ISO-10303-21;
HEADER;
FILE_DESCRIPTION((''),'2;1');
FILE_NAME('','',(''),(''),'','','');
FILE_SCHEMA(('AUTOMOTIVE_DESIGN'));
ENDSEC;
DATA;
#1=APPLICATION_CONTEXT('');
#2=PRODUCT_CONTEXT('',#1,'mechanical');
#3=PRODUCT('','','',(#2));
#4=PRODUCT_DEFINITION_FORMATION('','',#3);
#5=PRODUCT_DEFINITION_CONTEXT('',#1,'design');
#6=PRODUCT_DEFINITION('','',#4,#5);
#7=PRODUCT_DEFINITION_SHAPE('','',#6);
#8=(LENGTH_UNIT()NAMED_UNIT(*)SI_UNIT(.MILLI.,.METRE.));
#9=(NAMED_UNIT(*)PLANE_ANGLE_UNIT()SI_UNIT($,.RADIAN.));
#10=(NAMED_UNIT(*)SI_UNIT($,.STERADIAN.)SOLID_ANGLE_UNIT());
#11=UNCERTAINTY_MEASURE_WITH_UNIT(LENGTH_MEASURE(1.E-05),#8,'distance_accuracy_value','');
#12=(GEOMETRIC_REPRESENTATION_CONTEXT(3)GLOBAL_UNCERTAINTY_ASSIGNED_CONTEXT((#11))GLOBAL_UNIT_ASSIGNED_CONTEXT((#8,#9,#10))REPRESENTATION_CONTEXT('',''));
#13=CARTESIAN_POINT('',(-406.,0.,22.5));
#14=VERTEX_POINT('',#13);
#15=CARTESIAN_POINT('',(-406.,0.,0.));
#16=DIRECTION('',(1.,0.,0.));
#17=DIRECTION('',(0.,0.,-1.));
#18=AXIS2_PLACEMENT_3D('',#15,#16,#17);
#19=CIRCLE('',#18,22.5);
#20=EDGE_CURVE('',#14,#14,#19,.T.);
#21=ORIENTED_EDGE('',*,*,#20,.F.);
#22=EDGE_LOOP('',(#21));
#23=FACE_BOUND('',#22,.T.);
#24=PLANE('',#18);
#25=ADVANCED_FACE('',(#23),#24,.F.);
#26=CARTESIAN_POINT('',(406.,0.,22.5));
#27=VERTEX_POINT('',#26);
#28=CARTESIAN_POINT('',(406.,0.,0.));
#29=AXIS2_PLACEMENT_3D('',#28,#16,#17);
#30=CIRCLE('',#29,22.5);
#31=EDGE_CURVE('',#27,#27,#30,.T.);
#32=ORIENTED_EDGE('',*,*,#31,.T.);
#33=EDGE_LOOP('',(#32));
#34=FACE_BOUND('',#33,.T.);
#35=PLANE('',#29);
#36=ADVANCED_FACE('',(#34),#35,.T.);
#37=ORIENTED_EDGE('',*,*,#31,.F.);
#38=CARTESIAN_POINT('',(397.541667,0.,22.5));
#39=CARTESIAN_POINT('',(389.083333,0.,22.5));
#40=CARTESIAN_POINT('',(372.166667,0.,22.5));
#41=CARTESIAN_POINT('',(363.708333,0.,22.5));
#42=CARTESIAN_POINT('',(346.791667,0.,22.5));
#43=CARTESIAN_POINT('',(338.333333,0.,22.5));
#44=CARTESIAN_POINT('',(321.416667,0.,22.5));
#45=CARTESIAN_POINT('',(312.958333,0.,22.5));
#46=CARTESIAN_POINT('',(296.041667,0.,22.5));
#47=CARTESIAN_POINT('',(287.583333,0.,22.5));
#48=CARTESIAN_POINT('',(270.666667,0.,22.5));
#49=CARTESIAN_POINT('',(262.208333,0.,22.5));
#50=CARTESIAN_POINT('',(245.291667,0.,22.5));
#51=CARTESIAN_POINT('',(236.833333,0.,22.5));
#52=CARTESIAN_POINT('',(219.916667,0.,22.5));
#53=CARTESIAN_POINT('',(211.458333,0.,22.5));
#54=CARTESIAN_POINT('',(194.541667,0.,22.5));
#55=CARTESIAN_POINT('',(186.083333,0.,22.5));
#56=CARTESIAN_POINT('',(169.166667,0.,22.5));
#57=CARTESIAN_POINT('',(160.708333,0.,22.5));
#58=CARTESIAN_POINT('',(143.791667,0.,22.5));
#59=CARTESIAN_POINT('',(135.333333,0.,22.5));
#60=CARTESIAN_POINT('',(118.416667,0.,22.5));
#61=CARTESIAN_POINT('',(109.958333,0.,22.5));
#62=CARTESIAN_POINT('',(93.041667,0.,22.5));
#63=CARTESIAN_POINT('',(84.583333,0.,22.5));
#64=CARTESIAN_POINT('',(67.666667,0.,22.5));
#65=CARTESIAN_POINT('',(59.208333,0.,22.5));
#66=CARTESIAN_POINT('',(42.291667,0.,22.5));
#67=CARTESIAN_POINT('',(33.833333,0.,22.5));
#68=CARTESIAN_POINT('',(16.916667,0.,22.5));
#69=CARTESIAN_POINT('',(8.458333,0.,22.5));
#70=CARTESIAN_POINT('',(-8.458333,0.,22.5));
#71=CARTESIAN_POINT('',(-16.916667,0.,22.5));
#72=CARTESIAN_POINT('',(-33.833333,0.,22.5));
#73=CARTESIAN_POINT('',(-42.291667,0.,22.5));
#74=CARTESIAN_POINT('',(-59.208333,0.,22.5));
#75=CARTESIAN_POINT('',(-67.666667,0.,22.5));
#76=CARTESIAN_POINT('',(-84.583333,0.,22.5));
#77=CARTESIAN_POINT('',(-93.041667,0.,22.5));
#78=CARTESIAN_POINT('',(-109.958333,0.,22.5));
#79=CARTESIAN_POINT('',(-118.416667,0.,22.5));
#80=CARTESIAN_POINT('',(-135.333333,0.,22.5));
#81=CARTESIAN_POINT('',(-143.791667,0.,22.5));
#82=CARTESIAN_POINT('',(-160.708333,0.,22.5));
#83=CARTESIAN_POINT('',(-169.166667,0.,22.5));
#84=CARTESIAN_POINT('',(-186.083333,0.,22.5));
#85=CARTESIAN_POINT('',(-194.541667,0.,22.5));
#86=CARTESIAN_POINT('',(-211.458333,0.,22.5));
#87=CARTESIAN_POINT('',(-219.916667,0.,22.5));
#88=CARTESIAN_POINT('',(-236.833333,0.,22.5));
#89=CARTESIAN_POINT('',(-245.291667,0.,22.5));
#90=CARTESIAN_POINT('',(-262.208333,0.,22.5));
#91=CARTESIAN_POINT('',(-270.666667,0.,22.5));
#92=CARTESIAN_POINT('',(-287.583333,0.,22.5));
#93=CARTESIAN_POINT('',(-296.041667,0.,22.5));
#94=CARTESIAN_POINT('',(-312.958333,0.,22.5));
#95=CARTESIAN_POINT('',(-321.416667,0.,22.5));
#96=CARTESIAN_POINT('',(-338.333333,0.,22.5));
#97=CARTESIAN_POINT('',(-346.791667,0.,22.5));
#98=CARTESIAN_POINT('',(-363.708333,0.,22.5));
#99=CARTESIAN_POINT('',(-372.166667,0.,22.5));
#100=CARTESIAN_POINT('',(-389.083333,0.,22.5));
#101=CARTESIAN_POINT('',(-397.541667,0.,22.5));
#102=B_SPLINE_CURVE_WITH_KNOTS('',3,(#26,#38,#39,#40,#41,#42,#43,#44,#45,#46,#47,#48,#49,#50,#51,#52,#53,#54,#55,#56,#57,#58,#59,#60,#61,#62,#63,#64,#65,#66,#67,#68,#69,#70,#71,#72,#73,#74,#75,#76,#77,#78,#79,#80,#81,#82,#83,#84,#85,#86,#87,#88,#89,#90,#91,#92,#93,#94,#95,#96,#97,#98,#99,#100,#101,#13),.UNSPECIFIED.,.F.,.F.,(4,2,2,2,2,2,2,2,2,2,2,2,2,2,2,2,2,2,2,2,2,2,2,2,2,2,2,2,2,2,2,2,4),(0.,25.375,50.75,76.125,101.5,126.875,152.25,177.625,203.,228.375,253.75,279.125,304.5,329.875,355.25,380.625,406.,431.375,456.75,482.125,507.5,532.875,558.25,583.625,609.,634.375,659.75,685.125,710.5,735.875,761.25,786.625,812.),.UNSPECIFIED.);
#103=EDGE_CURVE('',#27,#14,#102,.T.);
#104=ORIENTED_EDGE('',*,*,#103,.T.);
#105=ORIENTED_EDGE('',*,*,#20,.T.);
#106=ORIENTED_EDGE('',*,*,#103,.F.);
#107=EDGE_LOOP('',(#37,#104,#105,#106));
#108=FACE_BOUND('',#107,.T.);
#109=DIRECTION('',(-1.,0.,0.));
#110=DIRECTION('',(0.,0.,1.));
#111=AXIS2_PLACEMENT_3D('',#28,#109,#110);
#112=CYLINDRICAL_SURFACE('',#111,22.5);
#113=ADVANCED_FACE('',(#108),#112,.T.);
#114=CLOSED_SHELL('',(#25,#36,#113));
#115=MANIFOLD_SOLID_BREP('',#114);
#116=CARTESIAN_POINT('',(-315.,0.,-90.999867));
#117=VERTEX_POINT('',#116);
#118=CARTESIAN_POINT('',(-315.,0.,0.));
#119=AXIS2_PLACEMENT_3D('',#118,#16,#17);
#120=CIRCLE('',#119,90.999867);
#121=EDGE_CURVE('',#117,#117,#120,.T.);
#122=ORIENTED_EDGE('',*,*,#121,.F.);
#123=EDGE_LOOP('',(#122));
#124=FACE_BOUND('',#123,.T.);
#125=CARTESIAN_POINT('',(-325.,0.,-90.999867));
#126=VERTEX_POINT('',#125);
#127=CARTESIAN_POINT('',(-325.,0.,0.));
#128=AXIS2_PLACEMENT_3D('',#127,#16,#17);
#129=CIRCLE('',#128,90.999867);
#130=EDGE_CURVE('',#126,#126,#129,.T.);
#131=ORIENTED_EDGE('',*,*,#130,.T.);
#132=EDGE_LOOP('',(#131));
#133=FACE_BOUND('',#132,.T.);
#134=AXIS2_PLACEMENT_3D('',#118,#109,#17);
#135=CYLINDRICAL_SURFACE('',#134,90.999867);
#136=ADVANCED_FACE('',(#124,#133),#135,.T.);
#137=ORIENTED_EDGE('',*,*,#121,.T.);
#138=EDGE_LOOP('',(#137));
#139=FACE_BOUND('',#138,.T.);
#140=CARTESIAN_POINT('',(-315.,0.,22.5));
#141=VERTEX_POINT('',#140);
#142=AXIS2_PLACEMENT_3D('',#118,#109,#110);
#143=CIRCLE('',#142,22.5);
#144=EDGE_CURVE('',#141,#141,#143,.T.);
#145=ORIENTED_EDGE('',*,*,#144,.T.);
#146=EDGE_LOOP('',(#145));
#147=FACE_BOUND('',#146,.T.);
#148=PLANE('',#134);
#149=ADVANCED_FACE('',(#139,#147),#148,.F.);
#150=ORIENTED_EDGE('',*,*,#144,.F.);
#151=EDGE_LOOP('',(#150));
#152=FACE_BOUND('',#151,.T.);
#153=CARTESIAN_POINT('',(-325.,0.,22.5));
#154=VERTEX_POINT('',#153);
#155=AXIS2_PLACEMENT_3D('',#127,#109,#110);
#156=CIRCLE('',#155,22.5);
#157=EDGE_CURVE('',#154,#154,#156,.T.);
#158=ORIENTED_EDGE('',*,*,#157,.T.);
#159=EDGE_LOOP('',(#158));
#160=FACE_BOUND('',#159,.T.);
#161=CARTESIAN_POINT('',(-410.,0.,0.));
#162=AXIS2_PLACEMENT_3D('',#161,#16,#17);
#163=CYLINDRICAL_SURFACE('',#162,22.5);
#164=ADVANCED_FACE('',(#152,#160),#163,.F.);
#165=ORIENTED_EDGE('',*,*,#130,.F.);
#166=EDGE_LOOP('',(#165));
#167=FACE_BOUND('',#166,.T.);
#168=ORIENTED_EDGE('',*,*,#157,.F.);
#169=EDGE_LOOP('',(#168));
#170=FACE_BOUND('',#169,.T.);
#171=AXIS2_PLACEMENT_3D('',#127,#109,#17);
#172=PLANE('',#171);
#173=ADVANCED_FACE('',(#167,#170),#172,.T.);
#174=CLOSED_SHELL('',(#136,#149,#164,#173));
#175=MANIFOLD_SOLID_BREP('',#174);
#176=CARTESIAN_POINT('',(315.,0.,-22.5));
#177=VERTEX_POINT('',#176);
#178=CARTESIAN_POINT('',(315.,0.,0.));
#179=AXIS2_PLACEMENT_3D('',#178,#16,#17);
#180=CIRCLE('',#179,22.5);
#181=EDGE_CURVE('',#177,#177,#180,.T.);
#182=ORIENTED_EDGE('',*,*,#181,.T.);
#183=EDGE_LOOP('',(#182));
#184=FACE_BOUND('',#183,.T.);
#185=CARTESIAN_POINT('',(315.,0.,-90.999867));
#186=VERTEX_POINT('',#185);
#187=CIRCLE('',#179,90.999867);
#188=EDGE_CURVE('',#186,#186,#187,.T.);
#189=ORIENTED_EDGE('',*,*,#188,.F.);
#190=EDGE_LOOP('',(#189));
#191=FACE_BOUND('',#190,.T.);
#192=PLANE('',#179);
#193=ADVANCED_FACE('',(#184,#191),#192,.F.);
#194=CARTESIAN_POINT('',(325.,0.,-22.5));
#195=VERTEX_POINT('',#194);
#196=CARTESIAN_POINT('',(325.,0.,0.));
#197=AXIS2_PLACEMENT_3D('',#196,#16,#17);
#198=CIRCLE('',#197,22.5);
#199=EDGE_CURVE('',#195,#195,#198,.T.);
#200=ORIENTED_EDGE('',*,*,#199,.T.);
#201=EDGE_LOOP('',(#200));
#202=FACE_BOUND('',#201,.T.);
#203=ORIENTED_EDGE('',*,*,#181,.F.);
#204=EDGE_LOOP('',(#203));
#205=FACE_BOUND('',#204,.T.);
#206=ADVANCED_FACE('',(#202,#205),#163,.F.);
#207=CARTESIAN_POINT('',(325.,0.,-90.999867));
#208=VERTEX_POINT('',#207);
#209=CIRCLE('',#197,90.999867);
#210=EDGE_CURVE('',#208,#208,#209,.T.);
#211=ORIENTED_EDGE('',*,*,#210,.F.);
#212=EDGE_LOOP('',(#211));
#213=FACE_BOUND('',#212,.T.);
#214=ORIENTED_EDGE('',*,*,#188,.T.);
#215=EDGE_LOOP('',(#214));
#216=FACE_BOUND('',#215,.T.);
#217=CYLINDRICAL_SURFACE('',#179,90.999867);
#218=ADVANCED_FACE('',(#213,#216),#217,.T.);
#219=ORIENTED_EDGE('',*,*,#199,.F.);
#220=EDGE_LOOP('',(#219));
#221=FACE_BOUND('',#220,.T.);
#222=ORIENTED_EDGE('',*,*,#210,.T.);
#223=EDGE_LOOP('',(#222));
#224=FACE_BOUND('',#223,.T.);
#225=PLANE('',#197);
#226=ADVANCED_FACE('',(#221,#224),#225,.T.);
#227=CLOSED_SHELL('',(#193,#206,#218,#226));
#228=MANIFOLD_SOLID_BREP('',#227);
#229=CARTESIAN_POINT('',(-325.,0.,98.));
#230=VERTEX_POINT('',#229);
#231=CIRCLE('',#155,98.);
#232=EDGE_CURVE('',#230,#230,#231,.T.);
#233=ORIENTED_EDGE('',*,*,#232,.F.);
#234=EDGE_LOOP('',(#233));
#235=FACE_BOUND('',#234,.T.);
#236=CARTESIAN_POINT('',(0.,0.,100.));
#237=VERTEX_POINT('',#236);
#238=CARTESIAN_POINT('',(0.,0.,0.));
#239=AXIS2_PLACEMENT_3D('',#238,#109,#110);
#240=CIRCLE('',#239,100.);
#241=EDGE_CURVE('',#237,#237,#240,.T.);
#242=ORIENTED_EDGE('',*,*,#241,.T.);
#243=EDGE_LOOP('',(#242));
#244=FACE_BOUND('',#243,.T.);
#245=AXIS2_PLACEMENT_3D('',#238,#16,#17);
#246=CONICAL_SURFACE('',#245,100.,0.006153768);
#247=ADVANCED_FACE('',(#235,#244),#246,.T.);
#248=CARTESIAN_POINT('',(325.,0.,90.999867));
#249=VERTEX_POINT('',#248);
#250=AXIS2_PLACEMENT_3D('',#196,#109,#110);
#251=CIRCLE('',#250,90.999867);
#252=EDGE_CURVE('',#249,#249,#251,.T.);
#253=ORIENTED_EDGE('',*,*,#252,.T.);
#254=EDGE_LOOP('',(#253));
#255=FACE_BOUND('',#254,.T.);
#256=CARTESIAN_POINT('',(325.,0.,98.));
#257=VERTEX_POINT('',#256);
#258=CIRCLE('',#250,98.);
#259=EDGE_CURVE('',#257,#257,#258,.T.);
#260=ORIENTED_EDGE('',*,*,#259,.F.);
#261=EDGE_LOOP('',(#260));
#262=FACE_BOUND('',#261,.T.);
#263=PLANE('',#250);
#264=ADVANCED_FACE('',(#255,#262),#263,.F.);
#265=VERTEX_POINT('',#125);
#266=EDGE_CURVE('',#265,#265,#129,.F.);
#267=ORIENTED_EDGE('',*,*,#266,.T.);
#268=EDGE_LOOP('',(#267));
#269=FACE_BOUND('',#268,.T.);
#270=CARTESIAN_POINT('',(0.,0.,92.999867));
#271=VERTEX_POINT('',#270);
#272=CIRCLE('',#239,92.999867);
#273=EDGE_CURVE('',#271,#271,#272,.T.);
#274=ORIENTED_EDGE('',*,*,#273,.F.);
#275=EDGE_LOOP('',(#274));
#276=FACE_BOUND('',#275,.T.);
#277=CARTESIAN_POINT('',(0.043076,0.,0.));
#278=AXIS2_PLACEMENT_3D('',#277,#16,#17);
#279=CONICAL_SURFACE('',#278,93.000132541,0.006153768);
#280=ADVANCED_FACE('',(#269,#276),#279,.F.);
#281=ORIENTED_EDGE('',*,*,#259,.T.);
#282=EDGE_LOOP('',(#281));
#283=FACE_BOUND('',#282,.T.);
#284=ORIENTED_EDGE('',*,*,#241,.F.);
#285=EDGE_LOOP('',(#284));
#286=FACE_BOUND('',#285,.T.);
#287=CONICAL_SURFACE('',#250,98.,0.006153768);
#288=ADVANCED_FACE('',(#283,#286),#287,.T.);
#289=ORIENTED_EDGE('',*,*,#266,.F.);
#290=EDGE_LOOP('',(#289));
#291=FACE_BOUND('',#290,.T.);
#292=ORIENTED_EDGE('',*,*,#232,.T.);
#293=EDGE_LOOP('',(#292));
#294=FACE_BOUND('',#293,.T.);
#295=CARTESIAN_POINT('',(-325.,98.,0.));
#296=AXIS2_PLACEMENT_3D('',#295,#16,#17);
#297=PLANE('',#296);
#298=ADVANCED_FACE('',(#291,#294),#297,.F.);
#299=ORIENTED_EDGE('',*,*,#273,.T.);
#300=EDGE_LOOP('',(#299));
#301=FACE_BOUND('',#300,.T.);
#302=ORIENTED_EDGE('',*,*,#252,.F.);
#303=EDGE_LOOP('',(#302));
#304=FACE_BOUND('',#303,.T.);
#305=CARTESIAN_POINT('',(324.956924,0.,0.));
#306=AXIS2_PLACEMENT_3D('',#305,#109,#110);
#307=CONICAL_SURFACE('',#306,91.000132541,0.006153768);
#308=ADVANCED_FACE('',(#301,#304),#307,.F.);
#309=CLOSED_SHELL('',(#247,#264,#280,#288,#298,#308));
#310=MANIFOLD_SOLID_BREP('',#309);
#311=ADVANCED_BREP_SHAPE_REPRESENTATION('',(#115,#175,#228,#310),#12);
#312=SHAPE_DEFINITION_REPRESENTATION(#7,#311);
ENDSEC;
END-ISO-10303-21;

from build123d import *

# Parameters (mm, degrees)
SHELL1_T            = -7
SKETCH2_R           = 90.999867457
BOSS_EXTRUDE1_DEPTH = 10
SKETCH3_R           = 22.5
CUT_EXTRUDE1_DEPTH  = 735
SKETCH4_R           = 22.5
BOSS_EXTRUDE2_DEPTH = 406


with BuildPart() as part:
    # Sketch1 → Revolve1 (revolve)
    with BuildSketch(Plane.XY, mode=Mode.PRIVATE) as revolve1_sk:
        Polygon((-325, 98), (0, 100), (325, 98), (325, 0), (-325, 0), align=None)
    revolve(revolve1_sk.sketch.rotate(Axis((-325, 0, 0), (1, 0, 0)), 90), axis=Axis((-325, 0, 0), (1, 0, 0)))

    # Shell1
    shell1_openings = [part.faces().sort_by_distance(p)[0] for p in [
        (325, 0, 0),
        (-325, 0, 0),
    ]]
    offset(amount=SHELL1_T, openings=shell1_openings)


with BuildPart() as body_2:
    # Sketch2 → Boss-Extrude1 (new body)
    with BuildSketch(Plane(origin=(325, 0, 0), x_dir=(0, 0, -1), z_dir=(1, 0, 0))):
        Circle(SKETCH2_R)
    extrude(amount=-BOSS_EXTRUDE1_DEPTH)


with BuildPart() as body_3:
    # Mirror2: mirrored copy
    add(body_2.part.mirror(Plane(origin=(0, 0, 0), x_dir=(0, 0, 1), z_dir=(1, 0, 0))))


with BuildPart() as cut_extrude1_tool:
    # Sketch3 → Cut-Extrude1 (new body)
    with BuildSketch(Plane(origin=(325, 0, 0), x_dir=(0, 0, -1), z_dir=(1, 0, 0))):
        with Locations(Location((0, 0, 0), (0, 0, 180))):
            Circle(SKETCH3_R)
    extrude(amount=-CUT_EXTRUDE1_DEPTH)


with BuildPart() as body_2_1:
    add(body_2.part)

    # Cut-Extrude1: cut by cut_extrude1_tool
    add(cut_extrude1_tool.part, mode=Mode.SUBTRACT)


with BuildPart() as body_3_1:
    add(body_3.part)

    # Cut-Extrude1: cut by cut_extrude1_tool
    add(cut_extrude1_tool.part, mode=Mode.SUBTRACT)


with BuildPart() as body_4:
    # Sketch4 → Boss-Extrude2 (new, symmetric)
    with BuildSketch(Plane(origin=(0, 0, 0), x_dir=(0, 0, -1), z_dir=(1, 0, 0))):
        with Locations(Location((0, 0, 0), (0, 0, 180))):
            Circle(SKETCH4_R)
    extrude(amount=BOSS_EXTRUDE2_DEPTH, both=True)


solid = Compound([part.part, body_2_1.part, body_3_1.part, body_4.part])
